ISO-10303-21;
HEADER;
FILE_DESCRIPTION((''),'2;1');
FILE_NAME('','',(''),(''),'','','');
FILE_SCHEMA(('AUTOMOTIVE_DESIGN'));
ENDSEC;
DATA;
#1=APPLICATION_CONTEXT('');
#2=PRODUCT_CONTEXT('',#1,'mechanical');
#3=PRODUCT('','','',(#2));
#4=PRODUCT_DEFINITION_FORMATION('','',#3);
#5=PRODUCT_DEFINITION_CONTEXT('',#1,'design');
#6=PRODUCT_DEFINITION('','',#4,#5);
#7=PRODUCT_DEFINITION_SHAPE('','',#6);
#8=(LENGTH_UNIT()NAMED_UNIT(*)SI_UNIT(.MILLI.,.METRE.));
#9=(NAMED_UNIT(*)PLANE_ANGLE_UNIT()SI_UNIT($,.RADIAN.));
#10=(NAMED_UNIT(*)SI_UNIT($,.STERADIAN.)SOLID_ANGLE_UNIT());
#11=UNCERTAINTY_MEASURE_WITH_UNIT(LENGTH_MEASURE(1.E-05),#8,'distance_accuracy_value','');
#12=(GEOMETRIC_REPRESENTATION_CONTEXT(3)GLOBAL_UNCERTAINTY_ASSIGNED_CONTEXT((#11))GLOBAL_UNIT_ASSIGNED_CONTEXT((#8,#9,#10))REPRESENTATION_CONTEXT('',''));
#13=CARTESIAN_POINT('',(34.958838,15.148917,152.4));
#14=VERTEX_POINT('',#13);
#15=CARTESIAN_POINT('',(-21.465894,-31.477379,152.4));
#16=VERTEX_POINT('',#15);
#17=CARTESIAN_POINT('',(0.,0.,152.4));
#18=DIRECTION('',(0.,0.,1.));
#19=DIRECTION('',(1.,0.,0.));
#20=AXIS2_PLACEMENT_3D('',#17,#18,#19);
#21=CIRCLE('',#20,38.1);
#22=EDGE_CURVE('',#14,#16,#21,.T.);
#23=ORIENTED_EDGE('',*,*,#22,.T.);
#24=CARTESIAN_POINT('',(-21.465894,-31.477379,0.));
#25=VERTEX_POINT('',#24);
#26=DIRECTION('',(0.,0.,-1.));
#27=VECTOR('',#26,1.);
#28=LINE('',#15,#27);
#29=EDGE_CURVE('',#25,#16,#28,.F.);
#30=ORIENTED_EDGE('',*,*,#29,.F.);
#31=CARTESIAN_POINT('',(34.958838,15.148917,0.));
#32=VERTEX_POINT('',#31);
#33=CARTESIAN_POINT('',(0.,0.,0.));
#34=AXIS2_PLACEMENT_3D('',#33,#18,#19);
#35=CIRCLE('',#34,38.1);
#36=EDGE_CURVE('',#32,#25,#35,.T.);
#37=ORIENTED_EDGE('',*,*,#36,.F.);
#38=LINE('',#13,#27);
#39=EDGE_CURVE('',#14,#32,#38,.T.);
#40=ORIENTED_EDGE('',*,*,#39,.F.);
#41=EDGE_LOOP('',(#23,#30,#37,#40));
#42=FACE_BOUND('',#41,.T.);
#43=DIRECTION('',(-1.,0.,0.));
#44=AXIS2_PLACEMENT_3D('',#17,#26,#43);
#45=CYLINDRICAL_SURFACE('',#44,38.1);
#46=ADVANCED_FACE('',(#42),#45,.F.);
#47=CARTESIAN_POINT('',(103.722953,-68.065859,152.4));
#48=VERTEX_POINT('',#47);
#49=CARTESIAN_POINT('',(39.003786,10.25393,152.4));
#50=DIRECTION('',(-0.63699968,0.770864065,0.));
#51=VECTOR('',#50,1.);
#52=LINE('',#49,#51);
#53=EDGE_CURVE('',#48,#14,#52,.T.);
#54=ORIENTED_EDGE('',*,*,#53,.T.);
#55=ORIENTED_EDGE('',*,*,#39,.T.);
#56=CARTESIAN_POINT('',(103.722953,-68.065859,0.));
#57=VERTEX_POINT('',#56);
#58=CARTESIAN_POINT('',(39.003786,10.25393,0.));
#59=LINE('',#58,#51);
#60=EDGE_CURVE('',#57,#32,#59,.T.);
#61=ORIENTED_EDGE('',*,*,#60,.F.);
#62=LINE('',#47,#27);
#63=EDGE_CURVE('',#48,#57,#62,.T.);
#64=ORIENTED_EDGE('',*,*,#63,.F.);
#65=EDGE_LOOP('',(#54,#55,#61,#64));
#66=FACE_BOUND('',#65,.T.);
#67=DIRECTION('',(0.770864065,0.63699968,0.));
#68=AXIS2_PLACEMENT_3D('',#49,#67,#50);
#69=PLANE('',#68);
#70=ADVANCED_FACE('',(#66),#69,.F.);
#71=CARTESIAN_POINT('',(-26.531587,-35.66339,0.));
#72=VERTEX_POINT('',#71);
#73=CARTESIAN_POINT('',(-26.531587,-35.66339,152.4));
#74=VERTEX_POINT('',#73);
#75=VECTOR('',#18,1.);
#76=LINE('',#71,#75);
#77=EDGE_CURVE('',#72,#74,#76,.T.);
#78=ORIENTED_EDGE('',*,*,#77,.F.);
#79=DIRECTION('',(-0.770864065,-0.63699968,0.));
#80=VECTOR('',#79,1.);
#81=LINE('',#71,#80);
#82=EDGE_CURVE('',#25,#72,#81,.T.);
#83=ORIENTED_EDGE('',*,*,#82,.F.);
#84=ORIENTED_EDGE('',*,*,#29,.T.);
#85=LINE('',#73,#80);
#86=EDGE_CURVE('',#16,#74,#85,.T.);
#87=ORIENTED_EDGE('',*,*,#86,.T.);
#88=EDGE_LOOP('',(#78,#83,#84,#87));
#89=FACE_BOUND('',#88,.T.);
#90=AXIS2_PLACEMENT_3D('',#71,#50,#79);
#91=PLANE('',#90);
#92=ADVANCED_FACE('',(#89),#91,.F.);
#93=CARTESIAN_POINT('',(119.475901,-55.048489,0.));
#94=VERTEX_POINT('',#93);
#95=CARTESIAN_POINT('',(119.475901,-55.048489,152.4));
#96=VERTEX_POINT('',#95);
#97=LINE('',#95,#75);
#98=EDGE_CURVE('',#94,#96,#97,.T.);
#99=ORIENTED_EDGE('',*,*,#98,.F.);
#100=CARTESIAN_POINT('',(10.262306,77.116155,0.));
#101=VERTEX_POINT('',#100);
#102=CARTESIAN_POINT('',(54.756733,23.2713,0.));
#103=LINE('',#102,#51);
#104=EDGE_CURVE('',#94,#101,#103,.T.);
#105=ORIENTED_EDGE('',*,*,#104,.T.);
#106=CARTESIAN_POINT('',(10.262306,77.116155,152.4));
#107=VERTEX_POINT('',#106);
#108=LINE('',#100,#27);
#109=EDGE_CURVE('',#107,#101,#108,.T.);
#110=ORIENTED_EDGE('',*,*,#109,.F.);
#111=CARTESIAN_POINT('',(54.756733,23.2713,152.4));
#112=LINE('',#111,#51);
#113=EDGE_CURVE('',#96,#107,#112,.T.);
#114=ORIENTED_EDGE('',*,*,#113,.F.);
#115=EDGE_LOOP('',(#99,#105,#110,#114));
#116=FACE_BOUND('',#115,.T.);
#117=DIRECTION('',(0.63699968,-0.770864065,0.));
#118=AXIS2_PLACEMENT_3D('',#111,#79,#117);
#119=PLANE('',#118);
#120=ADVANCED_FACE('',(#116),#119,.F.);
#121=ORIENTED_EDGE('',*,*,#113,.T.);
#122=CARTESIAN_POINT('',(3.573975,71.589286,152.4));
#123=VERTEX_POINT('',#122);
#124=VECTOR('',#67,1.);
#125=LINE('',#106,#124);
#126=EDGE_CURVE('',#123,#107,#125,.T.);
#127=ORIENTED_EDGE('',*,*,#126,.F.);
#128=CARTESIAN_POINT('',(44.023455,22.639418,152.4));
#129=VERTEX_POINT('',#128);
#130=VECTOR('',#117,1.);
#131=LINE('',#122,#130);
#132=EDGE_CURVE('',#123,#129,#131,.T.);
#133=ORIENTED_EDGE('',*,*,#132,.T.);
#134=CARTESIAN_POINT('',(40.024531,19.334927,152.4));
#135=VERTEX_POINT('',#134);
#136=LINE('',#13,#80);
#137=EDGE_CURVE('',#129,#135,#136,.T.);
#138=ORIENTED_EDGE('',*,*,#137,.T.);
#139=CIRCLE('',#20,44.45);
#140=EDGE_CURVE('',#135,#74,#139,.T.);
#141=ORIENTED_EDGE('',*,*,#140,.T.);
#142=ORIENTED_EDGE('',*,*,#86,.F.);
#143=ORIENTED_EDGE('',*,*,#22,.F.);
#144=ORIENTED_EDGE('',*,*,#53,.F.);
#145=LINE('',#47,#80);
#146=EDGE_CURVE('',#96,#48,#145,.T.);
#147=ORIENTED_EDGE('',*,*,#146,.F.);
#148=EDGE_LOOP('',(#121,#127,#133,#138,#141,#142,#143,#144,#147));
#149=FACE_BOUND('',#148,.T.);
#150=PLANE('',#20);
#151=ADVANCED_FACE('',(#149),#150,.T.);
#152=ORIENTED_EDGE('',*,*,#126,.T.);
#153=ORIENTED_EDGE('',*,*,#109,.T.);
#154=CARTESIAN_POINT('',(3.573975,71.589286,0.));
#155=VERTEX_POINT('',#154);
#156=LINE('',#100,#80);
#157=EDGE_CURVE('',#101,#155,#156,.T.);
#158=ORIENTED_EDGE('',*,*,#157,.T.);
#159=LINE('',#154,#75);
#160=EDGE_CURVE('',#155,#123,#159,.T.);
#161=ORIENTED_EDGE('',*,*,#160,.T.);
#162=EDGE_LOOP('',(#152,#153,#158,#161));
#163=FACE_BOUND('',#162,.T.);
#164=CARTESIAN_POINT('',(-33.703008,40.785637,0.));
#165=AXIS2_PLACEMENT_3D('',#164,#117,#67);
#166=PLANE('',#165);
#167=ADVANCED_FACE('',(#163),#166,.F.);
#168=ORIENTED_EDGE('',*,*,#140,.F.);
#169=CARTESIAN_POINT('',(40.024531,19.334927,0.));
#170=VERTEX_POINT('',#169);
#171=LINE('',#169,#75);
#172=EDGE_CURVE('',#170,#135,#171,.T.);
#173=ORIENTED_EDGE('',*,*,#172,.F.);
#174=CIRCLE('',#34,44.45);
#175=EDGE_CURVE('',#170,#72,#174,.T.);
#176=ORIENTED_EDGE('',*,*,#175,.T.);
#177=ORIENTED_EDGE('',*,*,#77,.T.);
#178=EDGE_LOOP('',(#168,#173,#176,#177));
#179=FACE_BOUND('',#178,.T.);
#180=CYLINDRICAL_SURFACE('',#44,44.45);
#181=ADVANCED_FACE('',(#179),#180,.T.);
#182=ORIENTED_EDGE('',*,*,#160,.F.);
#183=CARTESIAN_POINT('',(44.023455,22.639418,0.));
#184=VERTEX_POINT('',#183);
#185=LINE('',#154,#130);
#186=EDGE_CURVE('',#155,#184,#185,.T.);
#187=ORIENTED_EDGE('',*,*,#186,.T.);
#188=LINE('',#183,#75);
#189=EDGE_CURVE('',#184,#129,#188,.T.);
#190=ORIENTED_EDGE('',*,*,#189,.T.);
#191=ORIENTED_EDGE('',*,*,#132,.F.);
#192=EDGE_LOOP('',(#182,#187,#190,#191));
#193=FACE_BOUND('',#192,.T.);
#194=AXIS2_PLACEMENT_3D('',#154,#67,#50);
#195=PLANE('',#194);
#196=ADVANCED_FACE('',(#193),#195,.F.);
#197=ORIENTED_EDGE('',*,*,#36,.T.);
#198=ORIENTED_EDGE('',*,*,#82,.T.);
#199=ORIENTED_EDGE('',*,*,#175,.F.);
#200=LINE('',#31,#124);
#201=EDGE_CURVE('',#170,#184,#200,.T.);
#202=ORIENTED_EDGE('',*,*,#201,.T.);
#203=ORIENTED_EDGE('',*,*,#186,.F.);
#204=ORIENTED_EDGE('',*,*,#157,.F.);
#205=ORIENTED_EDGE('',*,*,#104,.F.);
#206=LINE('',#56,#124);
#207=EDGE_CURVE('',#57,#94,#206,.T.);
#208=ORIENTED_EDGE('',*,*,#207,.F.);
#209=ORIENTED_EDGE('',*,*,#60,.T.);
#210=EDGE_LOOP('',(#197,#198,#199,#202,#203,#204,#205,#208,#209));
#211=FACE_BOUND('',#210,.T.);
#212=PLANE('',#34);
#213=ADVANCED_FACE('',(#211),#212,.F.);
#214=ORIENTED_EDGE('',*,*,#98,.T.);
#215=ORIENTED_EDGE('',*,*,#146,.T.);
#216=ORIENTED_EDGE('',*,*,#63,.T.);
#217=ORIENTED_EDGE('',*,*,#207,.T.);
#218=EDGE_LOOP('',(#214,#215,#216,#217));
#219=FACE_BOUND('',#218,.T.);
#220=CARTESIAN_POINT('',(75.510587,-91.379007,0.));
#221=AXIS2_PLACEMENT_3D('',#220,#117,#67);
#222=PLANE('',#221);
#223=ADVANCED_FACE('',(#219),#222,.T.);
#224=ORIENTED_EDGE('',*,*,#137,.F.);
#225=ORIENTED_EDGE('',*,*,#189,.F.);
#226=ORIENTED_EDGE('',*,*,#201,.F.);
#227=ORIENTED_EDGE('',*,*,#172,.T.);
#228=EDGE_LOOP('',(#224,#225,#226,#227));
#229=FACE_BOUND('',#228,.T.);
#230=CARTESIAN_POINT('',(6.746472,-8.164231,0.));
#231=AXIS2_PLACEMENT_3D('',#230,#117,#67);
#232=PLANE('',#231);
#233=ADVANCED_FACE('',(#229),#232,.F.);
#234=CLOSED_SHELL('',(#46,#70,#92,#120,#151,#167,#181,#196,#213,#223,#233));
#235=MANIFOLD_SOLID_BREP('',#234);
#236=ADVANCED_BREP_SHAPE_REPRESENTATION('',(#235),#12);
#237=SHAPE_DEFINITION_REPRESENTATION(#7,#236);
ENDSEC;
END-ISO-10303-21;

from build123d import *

# Parameters (mm, degrees)
SKETCH2_R           = 44.45
SKETCH2_R_2         = 38.1
BOSS_EXTRUDE1_DEPTH = 152.4
CUT_EXTRUDE1_DEPTH  = 152.4
SKETCH5_W           = 20.435442018
SKETCH5_H           = 152.4
BOSS_EXTRUDE2_DEPTH = 6.35
SKETCH6_W           = 8.676407007
SKETCH6_H           = 152.4
BOSS_EXTRUDE3_DEPTH = 63.5
SKETCH7_W           = 20.435442018
SKETCH7_H           = 152.4
BOSS_EXTRUDE4_DEPTH = 101.6


with BuildPart() as part:
    # Sketch2 → Boss-Extrude1 (new body)
    with BuildSketch(Plane.XY):
        Circle(SKETCH2_R)
        Circle(SKETCH2_R_2, mode=Mode.SUBTRACT)
    extrude(amount=BOSS_EXTRUDE1_DEPTH)

    # Sketch3 → Cut-Extrude1 (cut)
    with BuildSketch(Plane.XY.offset(152.4)):
        Polygon((-26.531587494, -35.663389702), (40.024531053, 19.334927308), (75.854578195, -15.638849725), (-9.866811461, -86.474293044), align=None)
    extrude(amount=-CUT_EXTRUDE1_DEPTH, mode=Mode.SUBTRACT)

    # Sketch5 → Boss-Extrude2 (add)
    with BuildSketch(Plane(origin=(6.746471779, -8.164231197, 0), x_dir=(-0.770864065, -0.63699968, 0), z_dir=(0.63699968, -0.770864065, 0))):
        with Locations((-46.816087742, -76.2)):
            Rectangle(SKETCH5_W, SKETCH5_H)
    extrude(amount=BOSS_EXTRUDE2_DEPTH)

    # Sketch6 → Boss-Extrude3 (add)
    with BuildSketch(Plane(origin=(6.746471779, -8.164231197, 0), x_dir=(0.770864065, 0.63699968, 0), z_dir=(-0.63699968, 0.770864065, 0))):
        with Locations((52.695605247, -76.2)):
            Rectangle(SKETCH6_W, SKETCH6_H)
    extrude(amount=BOSS_EXTRUDE3_DEPTH)

    # Sketch7 → Boss-Extrude4 (add)
    with BuildSketch(Plane(origin=(10.791419749, -13.059218012, 0), x_dir=(0.770864065, 0.63699968, 0), z_dir=(0.63699968, -0.770864065, 0))):
        with Locations((46.816087742, 76.2)):
            Rectangle(SKETCH7_W, SKETCH7_H)
    extrude(amount=BOSS_EXTRUDE4_DEPTH)


solid = part.part
